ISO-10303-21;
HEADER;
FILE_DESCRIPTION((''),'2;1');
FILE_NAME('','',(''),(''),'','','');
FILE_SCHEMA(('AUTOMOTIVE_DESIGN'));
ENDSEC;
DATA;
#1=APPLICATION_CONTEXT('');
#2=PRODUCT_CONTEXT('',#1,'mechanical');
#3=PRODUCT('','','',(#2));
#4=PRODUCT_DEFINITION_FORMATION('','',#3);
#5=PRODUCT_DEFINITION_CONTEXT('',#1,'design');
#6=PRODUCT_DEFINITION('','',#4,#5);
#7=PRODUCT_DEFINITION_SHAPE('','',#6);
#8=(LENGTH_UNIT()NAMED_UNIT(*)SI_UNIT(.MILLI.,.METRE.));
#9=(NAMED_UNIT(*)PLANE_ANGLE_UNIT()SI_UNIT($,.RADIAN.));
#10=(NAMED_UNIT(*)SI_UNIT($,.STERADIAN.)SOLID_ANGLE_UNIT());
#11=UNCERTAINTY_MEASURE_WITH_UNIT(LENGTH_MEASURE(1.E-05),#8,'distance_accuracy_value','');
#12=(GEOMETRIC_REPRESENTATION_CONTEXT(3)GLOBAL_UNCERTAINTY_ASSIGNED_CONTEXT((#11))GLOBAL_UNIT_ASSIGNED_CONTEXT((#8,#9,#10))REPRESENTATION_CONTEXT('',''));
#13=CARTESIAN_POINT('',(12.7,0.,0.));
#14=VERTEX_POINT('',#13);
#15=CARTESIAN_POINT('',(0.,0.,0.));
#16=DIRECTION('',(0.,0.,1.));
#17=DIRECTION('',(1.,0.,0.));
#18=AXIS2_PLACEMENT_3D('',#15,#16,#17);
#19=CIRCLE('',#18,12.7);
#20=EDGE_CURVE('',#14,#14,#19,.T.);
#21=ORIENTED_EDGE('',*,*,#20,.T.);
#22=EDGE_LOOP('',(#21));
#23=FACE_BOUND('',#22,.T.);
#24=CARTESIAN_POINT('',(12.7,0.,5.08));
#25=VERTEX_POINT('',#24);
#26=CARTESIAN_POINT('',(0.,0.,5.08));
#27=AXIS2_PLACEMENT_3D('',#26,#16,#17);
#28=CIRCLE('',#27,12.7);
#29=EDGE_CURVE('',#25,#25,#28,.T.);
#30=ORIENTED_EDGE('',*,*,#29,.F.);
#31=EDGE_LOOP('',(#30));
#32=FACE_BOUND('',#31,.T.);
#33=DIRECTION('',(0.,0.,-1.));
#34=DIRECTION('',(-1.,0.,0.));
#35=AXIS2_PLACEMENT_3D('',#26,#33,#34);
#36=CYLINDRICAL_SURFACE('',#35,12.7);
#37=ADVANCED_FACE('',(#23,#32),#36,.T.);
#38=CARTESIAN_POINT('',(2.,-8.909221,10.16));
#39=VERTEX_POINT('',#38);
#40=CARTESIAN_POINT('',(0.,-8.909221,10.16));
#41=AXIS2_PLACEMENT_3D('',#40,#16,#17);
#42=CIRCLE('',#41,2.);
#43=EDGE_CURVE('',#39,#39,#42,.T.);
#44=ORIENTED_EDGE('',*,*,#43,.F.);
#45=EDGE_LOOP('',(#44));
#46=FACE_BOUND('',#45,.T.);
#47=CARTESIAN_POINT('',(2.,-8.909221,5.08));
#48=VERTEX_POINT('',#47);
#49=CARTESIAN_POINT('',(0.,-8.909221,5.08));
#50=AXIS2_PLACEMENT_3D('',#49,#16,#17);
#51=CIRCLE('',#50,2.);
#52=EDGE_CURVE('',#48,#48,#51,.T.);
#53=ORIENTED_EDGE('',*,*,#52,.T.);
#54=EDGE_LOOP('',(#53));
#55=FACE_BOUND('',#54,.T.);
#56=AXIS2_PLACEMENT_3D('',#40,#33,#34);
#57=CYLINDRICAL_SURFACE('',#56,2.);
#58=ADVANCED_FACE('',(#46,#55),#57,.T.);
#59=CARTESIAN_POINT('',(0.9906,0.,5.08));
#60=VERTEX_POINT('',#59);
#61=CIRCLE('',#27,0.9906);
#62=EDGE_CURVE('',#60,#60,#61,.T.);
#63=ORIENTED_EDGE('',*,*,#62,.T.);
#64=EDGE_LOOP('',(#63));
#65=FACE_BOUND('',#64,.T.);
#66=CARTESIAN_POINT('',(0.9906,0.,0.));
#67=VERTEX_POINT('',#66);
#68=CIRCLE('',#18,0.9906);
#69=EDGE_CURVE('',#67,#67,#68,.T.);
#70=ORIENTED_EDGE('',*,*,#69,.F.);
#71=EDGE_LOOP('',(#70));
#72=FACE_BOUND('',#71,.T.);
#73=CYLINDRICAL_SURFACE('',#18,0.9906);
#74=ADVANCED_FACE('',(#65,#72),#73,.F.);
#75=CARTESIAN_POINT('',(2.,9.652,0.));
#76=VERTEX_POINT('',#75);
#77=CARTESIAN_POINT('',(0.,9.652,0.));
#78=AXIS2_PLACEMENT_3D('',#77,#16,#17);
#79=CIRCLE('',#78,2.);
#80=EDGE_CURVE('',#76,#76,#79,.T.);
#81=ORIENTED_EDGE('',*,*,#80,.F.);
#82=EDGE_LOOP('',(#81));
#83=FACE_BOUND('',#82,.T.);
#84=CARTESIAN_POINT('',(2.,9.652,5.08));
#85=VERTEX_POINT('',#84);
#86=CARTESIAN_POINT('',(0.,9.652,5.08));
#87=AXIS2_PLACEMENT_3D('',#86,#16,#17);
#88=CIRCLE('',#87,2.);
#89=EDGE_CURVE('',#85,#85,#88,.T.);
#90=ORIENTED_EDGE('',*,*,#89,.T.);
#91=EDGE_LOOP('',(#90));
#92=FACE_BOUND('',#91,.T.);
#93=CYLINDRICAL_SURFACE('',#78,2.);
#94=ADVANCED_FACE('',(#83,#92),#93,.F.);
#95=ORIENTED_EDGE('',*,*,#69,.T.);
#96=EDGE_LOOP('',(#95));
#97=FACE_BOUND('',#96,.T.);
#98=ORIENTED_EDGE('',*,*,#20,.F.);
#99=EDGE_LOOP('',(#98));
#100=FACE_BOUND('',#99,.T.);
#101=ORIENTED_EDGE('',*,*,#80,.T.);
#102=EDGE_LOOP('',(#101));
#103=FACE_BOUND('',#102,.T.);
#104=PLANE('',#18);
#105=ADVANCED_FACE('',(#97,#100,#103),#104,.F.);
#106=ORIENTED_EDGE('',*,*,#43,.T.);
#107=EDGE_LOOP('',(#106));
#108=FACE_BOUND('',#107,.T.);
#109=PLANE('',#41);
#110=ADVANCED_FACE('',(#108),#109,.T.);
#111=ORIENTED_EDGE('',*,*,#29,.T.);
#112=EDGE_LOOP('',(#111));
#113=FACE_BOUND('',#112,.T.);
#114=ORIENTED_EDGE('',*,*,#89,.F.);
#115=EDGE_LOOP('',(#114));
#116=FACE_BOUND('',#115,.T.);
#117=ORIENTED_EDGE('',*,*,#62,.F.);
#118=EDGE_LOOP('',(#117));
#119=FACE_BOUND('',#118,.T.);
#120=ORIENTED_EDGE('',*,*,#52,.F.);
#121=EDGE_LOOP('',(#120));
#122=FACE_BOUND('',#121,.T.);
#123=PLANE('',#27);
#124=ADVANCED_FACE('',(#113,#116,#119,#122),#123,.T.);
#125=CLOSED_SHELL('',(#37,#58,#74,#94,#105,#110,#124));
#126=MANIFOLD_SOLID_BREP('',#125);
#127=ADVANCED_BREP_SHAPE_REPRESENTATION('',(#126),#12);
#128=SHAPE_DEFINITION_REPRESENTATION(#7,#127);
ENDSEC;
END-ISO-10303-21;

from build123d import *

# Parameters (mm, degrees)
SKETCH1_R           = 12.7
BOSS_EXTRUDE1_DEPTH = 5.08
SKETCH2_R           = 0.9906
CUT_EXTRUDE1_DEPTH  = 19.66511184
SKETCH3_R           = 2
CUT_EXTRUDE2_DEPTH  = 19.66511184
SKETCH4_R           = 2
BOSS_EXTRUDE2_DEPTH = 5.08


with BuildPart() as part:
    # Sketch1 → Boss-Extrude1 (new body)
    with BuildSketch(Plane.XY):
        Circle(SKETCH1_R)
    extrude(amount=BOSS_EXTRUDE1_DEPTH)

    # Sketch2 → Cut-Extrude1 (cut, through all)
    with BuildSketch(Plane.XY.offset(5.08)):
        Circle(SKETCH2_R)
    extrude(amount=-CUT_EXTRUDE1_DEPTH, mode=Mode.SUBTRACT)

    # Sketch3 → Cut-Extrude2 (cut, through all)
    with BuildSketch(Plane.XY.offset(5.08)):
        with Locations((0, 9.652)):
            Circle(SKETCH3_R)
    extrude(amount=-CUT_EXTRUDE2_DEPTH, mode=Mode.SUBTRACT)

    # Sketch4 → Boss-Extrude2 (add)
    with BuildSketch(Plane.XY.offset(5.08)):
        with Locations((0, -8.909221011)):
            Circle(SKETCH4_R)
    extrude(amount=BOSS_EXTRUDE2_DEPTH)


solid = part.part
